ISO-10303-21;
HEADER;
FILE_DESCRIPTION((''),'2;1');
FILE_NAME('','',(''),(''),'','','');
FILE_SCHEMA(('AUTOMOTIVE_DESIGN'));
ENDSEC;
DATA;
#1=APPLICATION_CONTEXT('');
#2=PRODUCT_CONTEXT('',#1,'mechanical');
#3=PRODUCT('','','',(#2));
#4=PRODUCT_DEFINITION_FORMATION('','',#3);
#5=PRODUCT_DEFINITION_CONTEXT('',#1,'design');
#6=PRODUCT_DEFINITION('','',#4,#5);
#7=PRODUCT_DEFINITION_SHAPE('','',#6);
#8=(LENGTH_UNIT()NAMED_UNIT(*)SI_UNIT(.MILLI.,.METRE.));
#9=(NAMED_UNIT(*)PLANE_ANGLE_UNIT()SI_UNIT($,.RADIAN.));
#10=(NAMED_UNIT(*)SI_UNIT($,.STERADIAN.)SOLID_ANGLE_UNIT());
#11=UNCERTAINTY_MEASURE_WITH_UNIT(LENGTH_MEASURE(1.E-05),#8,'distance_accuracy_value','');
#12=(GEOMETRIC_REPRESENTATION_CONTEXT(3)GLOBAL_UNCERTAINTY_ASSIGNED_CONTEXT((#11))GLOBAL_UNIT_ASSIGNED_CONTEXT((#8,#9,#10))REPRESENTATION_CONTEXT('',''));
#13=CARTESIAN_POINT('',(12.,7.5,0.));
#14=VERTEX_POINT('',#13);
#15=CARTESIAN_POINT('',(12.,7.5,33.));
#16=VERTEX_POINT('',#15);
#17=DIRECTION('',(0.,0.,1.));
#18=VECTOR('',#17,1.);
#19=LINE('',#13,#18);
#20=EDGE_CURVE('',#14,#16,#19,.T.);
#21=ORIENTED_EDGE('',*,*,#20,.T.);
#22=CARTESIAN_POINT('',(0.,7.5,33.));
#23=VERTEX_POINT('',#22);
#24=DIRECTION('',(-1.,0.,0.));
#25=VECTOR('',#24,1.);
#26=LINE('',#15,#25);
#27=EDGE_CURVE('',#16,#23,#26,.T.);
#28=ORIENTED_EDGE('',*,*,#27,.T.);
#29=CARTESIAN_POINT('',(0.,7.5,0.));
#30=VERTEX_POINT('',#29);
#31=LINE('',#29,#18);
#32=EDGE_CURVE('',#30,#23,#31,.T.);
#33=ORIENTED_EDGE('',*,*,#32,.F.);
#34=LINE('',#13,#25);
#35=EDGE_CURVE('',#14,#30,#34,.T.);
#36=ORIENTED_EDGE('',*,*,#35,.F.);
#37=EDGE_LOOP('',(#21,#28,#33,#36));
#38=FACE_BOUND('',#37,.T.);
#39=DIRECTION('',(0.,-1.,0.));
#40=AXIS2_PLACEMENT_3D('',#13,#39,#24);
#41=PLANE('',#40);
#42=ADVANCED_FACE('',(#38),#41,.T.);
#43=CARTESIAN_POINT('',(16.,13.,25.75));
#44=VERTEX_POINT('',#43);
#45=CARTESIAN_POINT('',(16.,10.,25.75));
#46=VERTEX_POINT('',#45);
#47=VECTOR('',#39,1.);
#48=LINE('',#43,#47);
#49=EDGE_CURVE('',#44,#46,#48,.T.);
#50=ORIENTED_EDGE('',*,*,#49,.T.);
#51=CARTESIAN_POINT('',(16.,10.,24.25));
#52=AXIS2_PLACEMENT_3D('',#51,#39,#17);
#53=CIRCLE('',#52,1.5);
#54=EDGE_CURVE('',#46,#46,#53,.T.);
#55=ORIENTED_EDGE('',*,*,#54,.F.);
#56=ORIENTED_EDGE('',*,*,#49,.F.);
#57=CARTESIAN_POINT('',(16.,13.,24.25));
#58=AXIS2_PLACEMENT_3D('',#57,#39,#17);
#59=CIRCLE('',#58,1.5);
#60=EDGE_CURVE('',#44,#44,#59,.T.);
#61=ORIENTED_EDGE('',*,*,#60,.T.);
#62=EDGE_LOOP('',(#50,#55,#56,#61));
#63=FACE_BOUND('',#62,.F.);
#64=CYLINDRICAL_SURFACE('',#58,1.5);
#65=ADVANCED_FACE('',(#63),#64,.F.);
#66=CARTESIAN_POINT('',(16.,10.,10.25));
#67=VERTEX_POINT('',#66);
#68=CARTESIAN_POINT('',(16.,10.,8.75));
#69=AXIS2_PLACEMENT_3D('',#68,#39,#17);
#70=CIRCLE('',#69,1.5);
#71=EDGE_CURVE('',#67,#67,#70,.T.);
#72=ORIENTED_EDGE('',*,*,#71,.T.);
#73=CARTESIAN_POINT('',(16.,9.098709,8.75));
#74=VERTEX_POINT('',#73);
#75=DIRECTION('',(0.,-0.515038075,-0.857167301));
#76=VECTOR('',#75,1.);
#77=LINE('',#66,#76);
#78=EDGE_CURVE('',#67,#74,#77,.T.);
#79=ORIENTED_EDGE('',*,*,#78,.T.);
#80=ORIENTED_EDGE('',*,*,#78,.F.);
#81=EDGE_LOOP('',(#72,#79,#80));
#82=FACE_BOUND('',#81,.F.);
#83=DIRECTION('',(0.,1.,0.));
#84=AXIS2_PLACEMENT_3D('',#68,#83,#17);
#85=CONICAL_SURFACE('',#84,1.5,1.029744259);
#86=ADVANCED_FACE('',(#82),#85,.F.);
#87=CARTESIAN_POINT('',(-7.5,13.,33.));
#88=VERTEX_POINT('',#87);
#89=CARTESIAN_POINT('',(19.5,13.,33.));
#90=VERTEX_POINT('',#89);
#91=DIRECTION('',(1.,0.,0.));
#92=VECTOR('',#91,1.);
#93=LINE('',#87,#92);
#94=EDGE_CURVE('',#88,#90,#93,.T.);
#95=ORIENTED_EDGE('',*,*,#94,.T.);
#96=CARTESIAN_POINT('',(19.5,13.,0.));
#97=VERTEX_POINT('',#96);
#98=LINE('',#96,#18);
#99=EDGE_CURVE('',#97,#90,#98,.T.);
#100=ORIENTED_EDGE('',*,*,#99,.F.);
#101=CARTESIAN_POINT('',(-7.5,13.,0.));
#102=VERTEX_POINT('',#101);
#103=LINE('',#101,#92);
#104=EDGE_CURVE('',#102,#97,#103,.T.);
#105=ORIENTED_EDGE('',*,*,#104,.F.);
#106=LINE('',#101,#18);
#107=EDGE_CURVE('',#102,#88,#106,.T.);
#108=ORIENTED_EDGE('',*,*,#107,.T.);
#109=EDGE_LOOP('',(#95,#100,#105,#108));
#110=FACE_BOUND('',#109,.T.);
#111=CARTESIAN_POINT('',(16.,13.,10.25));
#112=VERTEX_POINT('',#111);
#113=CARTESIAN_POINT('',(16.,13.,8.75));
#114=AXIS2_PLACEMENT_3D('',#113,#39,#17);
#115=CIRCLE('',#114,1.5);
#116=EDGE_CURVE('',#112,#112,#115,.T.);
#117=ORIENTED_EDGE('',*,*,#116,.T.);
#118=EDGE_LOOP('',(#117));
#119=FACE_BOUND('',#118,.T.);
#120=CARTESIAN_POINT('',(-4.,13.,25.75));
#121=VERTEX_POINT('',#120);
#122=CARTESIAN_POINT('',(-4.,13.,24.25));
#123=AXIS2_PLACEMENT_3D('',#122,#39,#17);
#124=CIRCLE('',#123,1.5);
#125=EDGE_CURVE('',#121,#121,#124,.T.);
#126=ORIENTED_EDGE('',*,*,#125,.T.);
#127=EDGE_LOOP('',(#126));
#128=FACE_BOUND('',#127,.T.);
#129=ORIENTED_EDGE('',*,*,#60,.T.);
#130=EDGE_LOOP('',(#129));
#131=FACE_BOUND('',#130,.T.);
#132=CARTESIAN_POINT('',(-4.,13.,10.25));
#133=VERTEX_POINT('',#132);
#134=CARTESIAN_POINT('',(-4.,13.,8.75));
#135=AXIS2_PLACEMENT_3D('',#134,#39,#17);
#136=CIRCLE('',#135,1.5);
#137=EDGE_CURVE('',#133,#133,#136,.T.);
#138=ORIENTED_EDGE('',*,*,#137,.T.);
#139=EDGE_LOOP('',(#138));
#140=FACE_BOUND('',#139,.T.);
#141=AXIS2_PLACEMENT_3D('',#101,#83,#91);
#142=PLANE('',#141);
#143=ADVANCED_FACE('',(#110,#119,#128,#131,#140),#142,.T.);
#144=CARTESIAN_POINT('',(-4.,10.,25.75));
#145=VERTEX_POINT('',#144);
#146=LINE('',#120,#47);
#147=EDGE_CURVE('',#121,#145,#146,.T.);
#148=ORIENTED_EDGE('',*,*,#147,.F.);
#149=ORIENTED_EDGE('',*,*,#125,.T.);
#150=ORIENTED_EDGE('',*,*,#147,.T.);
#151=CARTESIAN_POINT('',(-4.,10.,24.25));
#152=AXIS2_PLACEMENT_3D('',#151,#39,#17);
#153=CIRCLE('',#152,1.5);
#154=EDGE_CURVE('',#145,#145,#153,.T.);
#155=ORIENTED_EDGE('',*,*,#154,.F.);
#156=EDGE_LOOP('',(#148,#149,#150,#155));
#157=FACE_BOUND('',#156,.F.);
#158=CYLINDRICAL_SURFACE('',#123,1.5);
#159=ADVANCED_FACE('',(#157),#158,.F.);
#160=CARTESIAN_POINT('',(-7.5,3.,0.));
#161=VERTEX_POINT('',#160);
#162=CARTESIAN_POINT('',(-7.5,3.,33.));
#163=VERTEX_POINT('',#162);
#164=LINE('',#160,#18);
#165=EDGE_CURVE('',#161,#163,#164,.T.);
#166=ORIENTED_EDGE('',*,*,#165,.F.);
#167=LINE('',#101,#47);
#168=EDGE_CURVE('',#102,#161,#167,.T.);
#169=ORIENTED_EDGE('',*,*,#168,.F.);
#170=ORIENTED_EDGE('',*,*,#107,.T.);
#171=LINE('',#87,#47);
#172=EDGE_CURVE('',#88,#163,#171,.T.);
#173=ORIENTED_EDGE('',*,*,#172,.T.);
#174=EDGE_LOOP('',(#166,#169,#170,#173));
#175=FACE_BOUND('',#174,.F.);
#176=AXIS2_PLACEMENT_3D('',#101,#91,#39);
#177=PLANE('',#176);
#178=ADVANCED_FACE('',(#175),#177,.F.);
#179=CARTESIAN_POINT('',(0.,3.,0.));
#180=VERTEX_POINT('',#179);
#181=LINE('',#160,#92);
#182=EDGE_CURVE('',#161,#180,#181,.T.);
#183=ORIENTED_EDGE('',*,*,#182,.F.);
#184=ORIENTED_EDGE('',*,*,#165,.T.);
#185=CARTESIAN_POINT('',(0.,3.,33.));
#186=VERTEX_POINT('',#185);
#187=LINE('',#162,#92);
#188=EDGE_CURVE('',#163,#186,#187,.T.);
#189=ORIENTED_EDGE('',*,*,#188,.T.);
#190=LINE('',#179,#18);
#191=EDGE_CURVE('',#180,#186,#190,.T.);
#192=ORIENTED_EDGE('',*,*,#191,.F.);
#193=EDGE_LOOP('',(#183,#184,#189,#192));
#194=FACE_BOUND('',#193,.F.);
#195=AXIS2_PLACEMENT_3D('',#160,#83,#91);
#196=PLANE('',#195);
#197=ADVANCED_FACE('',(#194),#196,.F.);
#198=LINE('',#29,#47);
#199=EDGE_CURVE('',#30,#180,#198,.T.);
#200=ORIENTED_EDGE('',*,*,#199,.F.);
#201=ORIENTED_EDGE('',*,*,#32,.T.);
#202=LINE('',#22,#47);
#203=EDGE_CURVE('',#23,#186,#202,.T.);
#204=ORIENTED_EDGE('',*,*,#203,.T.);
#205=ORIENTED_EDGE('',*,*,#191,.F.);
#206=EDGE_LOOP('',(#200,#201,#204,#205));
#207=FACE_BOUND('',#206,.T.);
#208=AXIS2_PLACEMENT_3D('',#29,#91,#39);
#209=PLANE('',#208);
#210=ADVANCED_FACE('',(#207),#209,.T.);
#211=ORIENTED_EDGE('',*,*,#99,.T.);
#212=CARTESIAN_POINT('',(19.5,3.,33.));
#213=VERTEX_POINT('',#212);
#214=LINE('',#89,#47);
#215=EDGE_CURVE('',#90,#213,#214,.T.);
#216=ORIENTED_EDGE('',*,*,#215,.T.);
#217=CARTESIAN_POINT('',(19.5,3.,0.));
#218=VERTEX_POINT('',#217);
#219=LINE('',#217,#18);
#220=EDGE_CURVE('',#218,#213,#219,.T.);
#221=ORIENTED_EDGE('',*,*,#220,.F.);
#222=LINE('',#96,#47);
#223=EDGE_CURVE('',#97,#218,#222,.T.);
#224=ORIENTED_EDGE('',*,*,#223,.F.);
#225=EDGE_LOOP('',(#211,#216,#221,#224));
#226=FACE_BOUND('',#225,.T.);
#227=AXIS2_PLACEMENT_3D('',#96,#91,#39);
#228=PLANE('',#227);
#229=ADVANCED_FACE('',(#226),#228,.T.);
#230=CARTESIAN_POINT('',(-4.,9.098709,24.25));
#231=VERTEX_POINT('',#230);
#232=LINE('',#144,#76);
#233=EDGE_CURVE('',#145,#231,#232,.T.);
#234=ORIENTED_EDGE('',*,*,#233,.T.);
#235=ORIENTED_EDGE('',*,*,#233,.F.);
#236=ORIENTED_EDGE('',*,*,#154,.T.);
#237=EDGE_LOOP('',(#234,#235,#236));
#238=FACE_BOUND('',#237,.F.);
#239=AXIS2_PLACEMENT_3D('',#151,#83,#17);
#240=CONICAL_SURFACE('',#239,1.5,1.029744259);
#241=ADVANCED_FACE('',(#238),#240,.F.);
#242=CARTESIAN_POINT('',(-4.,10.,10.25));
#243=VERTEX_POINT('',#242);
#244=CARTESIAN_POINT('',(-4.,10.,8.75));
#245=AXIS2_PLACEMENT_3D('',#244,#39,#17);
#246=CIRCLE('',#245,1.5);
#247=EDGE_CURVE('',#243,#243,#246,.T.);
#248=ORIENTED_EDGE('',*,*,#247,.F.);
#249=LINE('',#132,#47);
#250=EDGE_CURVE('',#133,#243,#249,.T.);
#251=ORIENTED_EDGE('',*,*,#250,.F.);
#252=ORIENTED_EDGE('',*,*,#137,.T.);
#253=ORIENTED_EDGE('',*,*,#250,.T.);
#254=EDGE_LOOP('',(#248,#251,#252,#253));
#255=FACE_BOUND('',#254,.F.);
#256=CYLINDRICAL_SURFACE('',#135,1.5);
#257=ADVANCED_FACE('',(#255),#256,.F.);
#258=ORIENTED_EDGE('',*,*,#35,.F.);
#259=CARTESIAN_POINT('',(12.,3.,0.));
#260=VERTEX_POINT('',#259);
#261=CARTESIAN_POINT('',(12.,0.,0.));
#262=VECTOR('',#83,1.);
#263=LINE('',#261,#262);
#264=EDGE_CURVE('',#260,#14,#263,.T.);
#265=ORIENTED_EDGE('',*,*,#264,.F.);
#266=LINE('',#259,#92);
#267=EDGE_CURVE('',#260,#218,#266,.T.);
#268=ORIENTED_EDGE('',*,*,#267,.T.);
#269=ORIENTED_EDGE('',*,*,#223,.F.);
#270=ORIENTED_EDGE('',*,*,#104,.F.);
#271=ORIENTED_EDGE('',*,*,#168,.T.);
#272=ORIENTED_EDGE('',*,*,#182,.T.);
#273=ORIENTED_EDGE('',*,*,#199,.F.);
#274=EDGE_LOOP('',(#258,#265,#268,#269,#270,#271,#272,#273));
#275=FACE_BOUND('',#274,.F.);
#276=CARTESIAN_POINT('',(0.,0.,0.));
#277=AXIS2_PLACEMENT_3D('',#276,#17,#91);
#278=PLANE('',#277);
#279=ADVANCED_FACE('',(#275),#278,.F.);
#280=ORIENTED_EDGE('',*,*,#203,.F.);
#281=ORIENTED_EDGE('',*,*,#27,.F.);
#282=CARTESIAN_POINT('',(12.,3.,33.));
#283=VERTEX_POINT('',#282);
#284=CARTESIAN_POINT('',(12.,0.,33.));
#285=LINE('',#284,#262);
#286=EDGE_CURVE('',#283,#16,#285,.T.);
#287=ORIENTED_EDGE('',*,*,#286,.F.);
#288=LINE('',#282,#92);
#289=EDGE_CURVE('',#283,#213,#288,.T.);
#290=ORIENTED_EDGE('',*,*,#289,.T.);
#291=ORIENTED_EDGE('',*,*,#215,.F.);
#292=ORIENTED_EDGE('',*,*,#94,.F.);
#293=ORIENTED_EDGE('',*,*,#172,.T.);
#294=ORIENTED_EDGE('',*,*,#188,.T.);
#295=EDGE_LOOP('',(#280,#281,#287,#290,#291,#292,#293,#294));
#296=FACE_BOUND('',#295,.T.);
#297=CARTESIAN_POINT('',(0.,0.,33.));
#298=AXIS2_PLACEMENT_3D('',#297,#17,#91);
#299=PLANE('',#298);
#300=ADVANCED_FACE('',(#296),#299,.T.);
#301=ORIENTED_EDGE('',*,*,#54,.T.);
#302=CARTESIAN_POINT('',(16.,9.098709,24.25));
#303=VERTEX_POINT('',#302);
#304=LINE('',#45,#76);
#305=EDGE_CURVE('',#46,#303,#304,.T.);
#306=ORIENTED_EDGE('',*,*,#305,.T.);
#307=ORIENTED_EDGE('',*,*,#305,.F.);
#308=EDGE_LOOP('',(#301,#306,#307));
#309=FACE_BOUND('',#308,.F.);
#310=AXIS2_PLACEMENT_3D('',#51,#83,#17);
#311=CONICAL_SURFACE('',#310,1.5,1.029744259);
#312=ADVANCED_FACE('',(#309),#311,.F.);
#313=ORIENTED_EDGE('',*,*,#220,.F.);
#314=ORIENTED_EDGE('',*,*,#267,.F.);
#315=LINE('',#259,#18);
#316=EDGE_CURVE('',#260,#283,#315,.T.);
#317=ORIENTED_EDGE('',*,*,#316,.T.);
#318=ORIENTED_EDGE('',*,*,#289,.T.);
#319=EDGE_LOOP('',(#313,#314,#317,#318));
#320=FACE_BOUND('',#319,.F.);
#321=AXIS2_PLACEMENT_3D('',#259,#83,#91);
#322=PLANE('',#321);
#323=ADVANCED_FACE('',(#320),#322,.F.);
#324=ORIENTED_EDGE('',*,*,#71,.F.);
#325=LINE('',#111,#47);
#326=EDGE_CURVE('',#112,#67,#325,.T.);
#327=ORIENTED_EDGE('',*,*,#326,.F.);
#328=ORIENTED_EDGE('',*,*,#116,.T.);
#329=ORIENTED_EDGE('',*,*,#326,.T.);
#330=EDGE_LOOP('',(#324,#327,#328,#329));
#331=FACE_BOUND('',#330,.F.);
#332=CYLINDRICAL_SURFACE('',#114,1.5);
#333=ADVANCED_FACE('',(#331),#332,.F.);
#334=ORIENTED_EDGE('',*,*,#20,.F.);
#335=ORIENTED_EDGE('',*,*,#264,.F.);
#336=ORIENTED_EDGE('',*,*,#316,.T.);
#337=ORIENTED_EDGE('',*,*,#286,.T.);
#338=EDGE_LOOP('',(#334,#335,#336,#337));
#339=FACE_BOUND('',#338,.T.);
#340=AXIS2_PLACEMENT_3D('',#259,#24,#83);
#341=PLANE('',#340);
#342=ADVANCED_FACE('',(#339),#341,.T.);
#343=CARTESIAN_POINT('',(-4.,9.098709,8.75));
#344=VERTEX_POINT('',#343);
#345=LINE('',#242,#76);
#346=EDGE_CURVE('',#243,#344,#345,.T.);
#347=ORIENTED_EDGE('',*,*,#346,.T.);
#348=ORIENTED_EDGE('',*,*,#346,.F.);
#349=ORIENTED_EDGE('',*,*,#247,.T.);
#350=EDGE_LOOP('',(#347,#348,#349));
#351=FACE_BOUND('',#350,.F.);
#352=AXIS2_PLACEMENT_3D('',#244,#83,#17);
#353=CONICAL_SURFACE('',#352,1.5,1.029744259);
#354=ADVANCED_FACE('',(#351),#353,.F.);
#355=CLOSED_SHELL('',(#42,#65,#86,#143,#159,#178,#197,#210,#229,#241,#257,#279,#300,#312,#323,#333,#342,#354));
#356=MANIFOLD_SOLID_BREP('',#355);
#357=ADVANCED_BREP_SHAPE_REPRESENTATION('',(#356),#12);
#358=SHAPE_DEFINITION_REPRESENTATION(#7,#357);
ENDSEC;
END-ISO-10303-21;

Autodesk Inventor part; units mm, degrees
ref_plane "YZ Plane" through (0, 0, 0) normal (1, 0, 0) x (0, 1, 0)
ref_plane "XZ Plane" through (0, 0, 0) normal (0, 1, 0) x (-1, 0, 0)
ref_plane "XY Plane" through (0, 0, 0) normal (0, 0, 1) x (1, 0, 0)
sketch "スケッチ1" plane through (0, 0, 0) normal (0, 0, 1) x (1, 0, 0)
  line L0 (0, 0) -> (12, 0)
  line L1 (12, 0) -> (12, 7.5)
  line L2 (12, 7.5) -> (0, 7.5)
  line L3 (0, 7.5) -> (0, 0)
  line L4 (-7.5, 13) -> (19.5, 13)
  line L5 (-7.5, 13) -> (-7.5, 3)
  line L6 (19.5, 13) -> (19.5, 3)
  line L7 (-7.5, 3) -> (0, 3)
  line L8 (12, 3) -> (19.5, 3)
  dimension "d0" = 12
  dimension "d1" = 7.5
  dimension "d2" = 13
  dimension "d3" = 10
  dimension "d4" = 10
  dimension "d5" = 27
  dimension "d6" = 7.5
extrude "押し出し1" add sketch "スケッチ1" along normal blind 33 contours L7 L5 L4 L6 L8 L1 L2 L3
sketch "スケッチ2" plane through (-7.5, 13, 0) normal (0, 1, 0) x (1, 0, 0)
  line L0 (0, 0) -> (7.5, 0) projected
  line L1 (0, -33) -> (7.5, -33) projected
  line L2 (7.5, 0) -> (19.5, 0) projected
  line L3 (3.5, 0) -> (3.5, -33)
  line L4 (23.5, 0) -> (23.5, -33)
  line L5 (0, 0) -> (0, -33) projected
  line L6 (27, 0) -> (27, -33) projected
  point P0 (3.5, -24.25)
  point P1 (3.5, -8.75)
  point P2 (23.5, -24.25)
  point P3 (23.5, -8.75)
  dimension "d9" = 3.5
  dimension "d10" = 3.5
  dimension "d11" = 15.5
  dimension "d12" = 8.75
  dimension "d13" = 33
hole "穴1" at (-4, 13, 24.25) at (-4, 13, 8.75) at (16, 13, 24.25) at (16, 13, 8.75) direction (0, -1, 0) diameter 3 depth 3 tip angle 118
equation "\"d6\" = -0.5 * d0 + 0.5 * d5"
equation "\"d12\" = -0.5 * d11 + 0.5 * d13"
properties part number "slider_move"
